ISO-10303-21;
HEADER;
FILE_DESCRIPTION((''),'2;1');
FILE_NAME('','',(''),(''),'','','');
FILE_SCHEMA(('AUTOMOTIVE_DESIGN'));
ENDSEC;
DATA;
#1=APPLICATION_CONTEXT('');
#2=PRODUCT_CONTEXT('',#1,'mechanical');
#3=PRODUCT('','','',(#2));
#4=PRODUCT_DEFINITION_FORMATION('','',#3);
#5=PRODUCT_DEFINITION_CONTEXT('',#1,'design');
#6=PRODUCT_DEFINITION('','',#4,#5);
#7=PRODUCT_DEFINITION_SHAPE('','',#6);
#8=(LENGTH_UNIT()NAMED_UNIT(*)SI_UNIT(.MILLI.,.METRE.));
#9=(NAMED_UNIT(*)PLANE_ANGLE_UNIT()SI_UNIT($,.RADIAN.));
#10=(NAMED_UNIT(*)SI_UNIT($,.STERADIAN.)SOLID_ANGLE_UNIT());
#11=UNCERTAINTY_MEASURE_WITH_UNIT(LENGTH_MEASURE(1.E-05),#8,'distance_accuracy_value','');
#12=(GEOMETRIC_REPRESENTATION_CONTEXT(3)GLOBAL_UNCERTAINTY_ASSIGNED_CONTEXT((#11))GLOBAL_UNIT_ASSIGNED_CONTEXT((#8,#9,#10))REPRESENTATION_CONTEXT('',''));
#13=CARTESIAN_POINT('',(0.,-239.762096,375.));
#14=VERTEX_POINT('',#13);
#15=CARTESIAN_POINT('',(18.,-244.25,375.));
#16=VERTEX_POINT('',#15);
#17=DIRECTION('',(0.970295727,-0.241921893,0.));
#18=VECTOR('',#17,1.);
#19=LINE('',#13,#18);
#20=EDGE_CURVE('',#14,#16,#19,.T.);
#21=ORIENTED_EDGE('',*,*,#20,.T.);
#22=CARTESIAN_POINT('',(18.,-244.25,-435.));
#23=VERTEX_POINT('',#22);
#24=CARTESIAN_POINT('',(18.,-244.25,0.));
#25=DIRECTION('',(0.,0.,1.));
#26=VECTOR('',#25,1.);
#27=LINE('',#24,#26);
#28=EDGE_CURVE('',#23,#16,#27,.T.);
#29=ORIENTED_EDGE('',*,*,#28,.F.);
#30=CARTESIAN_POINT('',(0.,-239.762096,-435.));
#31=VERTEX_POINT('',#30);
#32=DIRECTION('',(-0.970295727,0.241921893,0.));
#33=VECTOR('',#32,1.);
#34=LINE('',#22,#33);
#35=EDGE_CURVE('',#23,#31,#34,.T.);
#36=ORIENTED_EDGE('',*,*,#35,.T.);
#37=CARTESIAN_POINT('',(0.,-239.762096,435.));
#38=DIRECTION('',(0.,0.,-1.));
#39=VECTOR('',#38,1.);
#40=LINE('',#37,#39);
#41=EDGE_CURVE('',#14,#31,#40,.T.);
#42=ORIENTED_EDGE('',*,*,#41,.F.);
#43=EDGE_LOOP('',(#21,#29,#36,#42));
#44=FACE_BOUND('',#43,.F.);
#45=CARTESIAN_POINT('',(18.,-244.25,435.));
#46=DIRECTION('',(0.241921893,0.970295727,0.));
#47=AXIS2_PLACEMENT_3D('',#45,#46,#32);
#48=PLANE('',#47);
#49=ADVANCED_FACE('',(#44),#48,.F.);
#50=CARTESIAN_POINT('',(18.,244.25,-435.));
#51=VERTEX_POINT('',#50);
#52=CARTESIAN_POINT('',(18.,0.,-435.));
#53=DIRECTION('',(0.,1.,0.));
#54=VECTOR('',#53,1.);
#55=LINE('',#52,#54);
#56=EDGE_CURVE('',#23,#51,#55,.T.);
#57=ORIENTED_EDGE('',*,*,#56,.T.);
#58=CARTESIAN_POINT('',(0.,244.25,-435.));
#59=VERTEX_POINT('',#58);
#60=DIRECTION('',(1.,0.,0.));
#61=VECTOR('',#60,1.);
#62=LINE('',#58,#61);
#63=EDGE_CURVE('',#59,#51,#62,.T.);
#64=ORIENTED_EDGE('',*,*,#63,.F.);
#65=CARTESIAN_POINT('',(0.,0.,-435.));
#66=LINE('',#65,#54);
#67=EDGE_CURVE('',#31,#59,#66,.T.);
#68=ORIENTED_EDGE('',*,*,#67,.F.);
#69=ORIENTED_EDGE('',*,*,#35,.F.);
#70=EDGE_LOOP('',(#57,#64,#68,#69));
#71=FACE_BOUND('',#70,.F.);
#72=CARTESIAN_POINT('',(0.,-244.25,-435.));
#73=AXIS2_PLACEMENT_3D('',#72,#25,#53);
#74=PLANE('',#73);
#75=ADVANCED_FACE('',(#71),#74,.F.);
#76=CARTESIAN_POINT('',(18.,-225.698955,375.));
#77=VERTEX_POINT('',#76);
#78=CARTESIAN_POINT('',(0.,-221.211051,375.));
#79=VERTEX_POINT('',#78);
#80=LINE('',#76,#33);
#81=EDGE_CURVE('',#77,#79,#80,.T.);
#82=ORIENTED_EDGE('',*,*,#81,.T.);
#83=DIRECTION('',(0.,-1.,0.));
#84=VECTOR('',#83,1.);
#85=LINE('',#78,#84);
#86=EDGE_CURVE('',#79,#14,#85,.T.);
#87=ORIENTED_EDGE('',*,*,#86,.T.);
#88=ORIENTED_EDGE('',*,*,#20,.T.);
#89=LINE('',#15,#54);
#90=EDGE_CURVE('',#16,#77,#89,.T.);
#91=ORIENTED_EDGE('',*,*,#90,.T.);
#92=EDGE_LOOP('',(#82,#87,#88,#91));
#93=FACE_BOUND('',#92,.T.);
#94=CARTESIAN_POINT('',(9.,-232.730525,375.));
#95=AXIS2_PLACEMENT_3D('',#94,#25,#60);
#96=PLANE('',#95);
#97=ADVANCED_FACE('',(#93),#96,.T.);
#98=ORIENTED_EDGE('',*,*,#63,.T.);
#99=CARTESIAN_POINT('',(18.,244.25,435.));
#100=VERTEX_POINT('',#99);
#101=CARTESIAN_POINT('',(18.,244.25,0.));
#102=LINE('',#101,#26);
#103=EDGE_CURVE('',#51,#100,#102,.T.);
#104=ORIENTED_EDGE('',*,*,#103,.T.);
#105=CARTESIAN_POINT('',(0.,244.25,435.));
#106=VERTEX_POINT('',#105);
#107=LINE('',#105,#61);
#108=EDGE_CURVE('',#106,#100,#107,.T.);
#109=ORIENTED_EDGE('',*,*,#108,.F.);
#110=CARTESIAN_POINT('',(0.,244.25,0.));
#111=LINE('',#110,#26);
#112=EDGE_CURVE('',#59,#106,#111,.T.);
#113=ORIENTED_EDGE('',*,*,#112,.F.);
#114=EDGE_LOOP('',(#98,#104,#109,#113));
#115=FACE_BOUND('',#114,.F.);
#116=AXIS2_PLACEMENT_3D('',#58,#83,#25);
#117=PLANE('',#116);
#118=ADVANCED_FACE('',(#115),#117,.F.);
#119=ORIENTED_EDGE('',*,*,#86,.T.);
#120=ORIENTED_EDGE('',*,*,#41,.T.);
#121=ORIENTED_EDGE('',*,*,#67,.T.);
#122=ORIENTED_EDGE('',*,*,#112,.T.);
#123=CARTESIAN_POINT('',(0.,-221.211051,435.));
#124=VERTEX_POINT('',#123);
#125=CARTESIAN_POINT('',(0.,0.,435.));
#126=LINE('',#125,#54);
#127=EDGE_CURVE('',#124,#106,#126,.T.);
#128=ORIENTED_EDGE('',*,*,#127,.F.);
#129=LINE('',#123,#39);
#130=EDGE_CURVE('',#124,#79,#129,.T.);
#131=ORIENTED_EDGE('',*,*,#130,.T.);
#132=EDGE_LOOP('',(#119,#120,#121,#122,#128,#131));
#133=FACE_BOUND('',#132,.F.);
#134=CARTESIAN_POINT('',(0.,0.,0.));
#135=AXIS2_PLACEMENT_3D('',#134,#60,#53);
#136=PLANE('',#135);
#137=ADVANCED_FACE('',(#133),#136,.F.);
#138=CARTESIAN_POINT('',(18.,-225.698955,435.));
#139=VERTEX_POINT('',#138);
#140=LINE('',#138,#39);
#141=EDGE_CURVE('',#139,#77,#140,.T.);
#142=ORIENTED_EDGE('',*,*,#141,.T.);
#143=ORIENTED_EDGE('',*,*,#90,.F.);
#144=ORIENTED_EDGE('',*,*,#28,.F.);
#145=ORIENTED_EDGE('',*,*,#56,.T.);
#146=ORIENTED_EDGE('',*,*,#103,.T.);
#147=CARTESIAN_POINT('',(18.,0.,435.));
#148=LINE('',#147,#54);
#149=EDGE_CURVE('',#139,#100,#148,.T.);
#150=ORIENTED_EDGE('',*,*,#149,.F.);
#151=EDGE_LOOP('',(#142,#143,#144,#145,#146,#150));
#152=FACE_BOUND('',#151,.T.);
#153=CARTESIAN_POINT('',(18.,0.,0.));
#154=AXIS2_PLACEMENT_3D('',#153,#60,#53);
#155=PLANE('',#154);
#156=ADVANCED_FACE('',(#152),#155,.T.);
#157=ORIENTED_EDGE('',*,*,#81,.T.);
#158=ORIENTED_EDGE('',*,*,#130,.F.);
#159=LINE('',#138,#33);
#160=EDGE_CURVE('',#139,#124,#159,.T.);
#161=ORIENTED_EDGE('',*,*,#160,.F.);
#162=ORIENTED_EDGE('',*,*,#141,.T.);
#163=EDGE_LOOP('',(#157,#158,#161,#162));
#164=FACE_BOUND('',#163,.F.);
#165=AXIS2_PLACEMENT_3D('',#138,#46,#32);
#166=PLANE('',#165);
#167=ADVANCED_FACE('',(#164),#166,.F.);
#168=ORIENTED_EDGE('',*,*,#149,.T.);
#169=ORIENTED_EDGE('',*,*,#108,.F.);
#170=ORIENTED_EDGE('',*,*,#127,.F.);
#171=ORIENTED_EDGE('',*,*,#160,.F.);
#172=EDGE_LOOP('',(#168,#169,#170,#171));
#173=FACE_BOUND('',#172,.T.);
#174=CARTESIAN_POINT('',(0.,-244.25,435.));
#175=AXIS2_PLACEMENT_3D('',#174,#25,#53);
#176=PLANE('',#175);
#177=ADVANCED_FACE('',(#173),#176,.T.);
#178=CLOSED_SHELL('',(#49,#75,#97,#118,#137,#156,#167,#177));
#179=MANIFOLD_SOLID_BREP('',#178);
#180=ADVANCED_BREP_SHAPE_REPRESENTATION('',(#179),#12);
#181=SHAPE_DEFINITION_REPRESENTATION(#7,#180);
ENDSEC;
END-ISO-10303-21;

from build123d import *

# Parameters (mm, degrees)
F0_W     = 488.5
F0_H     = 870
F1_DEPTH = 18
F3_DEPTH = 870
F5_DEPTH = 60


with BuildPart() as f1:
    # F0 (on Right) → F1 (new body)
    with BuildSketch(Plane.YZ):
        Rectangle(F0_W, F0_H)
    extrude(amount=F1_DEPTH)

    # F2 (on face) → F3 (cut)
    with BuildSketch(Plane.XY.offset(435)):
        Polygon((0, -244.25), (18, -244.25), (0, -239.762096), align=None)
    extrude(amount=-F3_DEPTH, mode=Mode.SUBTRACT)

    # F4 (on face) → F5 (cut)
    with BuildSketch(Plane.XY.offset(435)):
        Polygon((0, -221.211051), (0, -239.762096), (18, -244.25), (18, -225.698955), align=None)
    extrude(amount=-F5_DEPTH, mode=Mode.SUBTRACT)


solid = f1.part
